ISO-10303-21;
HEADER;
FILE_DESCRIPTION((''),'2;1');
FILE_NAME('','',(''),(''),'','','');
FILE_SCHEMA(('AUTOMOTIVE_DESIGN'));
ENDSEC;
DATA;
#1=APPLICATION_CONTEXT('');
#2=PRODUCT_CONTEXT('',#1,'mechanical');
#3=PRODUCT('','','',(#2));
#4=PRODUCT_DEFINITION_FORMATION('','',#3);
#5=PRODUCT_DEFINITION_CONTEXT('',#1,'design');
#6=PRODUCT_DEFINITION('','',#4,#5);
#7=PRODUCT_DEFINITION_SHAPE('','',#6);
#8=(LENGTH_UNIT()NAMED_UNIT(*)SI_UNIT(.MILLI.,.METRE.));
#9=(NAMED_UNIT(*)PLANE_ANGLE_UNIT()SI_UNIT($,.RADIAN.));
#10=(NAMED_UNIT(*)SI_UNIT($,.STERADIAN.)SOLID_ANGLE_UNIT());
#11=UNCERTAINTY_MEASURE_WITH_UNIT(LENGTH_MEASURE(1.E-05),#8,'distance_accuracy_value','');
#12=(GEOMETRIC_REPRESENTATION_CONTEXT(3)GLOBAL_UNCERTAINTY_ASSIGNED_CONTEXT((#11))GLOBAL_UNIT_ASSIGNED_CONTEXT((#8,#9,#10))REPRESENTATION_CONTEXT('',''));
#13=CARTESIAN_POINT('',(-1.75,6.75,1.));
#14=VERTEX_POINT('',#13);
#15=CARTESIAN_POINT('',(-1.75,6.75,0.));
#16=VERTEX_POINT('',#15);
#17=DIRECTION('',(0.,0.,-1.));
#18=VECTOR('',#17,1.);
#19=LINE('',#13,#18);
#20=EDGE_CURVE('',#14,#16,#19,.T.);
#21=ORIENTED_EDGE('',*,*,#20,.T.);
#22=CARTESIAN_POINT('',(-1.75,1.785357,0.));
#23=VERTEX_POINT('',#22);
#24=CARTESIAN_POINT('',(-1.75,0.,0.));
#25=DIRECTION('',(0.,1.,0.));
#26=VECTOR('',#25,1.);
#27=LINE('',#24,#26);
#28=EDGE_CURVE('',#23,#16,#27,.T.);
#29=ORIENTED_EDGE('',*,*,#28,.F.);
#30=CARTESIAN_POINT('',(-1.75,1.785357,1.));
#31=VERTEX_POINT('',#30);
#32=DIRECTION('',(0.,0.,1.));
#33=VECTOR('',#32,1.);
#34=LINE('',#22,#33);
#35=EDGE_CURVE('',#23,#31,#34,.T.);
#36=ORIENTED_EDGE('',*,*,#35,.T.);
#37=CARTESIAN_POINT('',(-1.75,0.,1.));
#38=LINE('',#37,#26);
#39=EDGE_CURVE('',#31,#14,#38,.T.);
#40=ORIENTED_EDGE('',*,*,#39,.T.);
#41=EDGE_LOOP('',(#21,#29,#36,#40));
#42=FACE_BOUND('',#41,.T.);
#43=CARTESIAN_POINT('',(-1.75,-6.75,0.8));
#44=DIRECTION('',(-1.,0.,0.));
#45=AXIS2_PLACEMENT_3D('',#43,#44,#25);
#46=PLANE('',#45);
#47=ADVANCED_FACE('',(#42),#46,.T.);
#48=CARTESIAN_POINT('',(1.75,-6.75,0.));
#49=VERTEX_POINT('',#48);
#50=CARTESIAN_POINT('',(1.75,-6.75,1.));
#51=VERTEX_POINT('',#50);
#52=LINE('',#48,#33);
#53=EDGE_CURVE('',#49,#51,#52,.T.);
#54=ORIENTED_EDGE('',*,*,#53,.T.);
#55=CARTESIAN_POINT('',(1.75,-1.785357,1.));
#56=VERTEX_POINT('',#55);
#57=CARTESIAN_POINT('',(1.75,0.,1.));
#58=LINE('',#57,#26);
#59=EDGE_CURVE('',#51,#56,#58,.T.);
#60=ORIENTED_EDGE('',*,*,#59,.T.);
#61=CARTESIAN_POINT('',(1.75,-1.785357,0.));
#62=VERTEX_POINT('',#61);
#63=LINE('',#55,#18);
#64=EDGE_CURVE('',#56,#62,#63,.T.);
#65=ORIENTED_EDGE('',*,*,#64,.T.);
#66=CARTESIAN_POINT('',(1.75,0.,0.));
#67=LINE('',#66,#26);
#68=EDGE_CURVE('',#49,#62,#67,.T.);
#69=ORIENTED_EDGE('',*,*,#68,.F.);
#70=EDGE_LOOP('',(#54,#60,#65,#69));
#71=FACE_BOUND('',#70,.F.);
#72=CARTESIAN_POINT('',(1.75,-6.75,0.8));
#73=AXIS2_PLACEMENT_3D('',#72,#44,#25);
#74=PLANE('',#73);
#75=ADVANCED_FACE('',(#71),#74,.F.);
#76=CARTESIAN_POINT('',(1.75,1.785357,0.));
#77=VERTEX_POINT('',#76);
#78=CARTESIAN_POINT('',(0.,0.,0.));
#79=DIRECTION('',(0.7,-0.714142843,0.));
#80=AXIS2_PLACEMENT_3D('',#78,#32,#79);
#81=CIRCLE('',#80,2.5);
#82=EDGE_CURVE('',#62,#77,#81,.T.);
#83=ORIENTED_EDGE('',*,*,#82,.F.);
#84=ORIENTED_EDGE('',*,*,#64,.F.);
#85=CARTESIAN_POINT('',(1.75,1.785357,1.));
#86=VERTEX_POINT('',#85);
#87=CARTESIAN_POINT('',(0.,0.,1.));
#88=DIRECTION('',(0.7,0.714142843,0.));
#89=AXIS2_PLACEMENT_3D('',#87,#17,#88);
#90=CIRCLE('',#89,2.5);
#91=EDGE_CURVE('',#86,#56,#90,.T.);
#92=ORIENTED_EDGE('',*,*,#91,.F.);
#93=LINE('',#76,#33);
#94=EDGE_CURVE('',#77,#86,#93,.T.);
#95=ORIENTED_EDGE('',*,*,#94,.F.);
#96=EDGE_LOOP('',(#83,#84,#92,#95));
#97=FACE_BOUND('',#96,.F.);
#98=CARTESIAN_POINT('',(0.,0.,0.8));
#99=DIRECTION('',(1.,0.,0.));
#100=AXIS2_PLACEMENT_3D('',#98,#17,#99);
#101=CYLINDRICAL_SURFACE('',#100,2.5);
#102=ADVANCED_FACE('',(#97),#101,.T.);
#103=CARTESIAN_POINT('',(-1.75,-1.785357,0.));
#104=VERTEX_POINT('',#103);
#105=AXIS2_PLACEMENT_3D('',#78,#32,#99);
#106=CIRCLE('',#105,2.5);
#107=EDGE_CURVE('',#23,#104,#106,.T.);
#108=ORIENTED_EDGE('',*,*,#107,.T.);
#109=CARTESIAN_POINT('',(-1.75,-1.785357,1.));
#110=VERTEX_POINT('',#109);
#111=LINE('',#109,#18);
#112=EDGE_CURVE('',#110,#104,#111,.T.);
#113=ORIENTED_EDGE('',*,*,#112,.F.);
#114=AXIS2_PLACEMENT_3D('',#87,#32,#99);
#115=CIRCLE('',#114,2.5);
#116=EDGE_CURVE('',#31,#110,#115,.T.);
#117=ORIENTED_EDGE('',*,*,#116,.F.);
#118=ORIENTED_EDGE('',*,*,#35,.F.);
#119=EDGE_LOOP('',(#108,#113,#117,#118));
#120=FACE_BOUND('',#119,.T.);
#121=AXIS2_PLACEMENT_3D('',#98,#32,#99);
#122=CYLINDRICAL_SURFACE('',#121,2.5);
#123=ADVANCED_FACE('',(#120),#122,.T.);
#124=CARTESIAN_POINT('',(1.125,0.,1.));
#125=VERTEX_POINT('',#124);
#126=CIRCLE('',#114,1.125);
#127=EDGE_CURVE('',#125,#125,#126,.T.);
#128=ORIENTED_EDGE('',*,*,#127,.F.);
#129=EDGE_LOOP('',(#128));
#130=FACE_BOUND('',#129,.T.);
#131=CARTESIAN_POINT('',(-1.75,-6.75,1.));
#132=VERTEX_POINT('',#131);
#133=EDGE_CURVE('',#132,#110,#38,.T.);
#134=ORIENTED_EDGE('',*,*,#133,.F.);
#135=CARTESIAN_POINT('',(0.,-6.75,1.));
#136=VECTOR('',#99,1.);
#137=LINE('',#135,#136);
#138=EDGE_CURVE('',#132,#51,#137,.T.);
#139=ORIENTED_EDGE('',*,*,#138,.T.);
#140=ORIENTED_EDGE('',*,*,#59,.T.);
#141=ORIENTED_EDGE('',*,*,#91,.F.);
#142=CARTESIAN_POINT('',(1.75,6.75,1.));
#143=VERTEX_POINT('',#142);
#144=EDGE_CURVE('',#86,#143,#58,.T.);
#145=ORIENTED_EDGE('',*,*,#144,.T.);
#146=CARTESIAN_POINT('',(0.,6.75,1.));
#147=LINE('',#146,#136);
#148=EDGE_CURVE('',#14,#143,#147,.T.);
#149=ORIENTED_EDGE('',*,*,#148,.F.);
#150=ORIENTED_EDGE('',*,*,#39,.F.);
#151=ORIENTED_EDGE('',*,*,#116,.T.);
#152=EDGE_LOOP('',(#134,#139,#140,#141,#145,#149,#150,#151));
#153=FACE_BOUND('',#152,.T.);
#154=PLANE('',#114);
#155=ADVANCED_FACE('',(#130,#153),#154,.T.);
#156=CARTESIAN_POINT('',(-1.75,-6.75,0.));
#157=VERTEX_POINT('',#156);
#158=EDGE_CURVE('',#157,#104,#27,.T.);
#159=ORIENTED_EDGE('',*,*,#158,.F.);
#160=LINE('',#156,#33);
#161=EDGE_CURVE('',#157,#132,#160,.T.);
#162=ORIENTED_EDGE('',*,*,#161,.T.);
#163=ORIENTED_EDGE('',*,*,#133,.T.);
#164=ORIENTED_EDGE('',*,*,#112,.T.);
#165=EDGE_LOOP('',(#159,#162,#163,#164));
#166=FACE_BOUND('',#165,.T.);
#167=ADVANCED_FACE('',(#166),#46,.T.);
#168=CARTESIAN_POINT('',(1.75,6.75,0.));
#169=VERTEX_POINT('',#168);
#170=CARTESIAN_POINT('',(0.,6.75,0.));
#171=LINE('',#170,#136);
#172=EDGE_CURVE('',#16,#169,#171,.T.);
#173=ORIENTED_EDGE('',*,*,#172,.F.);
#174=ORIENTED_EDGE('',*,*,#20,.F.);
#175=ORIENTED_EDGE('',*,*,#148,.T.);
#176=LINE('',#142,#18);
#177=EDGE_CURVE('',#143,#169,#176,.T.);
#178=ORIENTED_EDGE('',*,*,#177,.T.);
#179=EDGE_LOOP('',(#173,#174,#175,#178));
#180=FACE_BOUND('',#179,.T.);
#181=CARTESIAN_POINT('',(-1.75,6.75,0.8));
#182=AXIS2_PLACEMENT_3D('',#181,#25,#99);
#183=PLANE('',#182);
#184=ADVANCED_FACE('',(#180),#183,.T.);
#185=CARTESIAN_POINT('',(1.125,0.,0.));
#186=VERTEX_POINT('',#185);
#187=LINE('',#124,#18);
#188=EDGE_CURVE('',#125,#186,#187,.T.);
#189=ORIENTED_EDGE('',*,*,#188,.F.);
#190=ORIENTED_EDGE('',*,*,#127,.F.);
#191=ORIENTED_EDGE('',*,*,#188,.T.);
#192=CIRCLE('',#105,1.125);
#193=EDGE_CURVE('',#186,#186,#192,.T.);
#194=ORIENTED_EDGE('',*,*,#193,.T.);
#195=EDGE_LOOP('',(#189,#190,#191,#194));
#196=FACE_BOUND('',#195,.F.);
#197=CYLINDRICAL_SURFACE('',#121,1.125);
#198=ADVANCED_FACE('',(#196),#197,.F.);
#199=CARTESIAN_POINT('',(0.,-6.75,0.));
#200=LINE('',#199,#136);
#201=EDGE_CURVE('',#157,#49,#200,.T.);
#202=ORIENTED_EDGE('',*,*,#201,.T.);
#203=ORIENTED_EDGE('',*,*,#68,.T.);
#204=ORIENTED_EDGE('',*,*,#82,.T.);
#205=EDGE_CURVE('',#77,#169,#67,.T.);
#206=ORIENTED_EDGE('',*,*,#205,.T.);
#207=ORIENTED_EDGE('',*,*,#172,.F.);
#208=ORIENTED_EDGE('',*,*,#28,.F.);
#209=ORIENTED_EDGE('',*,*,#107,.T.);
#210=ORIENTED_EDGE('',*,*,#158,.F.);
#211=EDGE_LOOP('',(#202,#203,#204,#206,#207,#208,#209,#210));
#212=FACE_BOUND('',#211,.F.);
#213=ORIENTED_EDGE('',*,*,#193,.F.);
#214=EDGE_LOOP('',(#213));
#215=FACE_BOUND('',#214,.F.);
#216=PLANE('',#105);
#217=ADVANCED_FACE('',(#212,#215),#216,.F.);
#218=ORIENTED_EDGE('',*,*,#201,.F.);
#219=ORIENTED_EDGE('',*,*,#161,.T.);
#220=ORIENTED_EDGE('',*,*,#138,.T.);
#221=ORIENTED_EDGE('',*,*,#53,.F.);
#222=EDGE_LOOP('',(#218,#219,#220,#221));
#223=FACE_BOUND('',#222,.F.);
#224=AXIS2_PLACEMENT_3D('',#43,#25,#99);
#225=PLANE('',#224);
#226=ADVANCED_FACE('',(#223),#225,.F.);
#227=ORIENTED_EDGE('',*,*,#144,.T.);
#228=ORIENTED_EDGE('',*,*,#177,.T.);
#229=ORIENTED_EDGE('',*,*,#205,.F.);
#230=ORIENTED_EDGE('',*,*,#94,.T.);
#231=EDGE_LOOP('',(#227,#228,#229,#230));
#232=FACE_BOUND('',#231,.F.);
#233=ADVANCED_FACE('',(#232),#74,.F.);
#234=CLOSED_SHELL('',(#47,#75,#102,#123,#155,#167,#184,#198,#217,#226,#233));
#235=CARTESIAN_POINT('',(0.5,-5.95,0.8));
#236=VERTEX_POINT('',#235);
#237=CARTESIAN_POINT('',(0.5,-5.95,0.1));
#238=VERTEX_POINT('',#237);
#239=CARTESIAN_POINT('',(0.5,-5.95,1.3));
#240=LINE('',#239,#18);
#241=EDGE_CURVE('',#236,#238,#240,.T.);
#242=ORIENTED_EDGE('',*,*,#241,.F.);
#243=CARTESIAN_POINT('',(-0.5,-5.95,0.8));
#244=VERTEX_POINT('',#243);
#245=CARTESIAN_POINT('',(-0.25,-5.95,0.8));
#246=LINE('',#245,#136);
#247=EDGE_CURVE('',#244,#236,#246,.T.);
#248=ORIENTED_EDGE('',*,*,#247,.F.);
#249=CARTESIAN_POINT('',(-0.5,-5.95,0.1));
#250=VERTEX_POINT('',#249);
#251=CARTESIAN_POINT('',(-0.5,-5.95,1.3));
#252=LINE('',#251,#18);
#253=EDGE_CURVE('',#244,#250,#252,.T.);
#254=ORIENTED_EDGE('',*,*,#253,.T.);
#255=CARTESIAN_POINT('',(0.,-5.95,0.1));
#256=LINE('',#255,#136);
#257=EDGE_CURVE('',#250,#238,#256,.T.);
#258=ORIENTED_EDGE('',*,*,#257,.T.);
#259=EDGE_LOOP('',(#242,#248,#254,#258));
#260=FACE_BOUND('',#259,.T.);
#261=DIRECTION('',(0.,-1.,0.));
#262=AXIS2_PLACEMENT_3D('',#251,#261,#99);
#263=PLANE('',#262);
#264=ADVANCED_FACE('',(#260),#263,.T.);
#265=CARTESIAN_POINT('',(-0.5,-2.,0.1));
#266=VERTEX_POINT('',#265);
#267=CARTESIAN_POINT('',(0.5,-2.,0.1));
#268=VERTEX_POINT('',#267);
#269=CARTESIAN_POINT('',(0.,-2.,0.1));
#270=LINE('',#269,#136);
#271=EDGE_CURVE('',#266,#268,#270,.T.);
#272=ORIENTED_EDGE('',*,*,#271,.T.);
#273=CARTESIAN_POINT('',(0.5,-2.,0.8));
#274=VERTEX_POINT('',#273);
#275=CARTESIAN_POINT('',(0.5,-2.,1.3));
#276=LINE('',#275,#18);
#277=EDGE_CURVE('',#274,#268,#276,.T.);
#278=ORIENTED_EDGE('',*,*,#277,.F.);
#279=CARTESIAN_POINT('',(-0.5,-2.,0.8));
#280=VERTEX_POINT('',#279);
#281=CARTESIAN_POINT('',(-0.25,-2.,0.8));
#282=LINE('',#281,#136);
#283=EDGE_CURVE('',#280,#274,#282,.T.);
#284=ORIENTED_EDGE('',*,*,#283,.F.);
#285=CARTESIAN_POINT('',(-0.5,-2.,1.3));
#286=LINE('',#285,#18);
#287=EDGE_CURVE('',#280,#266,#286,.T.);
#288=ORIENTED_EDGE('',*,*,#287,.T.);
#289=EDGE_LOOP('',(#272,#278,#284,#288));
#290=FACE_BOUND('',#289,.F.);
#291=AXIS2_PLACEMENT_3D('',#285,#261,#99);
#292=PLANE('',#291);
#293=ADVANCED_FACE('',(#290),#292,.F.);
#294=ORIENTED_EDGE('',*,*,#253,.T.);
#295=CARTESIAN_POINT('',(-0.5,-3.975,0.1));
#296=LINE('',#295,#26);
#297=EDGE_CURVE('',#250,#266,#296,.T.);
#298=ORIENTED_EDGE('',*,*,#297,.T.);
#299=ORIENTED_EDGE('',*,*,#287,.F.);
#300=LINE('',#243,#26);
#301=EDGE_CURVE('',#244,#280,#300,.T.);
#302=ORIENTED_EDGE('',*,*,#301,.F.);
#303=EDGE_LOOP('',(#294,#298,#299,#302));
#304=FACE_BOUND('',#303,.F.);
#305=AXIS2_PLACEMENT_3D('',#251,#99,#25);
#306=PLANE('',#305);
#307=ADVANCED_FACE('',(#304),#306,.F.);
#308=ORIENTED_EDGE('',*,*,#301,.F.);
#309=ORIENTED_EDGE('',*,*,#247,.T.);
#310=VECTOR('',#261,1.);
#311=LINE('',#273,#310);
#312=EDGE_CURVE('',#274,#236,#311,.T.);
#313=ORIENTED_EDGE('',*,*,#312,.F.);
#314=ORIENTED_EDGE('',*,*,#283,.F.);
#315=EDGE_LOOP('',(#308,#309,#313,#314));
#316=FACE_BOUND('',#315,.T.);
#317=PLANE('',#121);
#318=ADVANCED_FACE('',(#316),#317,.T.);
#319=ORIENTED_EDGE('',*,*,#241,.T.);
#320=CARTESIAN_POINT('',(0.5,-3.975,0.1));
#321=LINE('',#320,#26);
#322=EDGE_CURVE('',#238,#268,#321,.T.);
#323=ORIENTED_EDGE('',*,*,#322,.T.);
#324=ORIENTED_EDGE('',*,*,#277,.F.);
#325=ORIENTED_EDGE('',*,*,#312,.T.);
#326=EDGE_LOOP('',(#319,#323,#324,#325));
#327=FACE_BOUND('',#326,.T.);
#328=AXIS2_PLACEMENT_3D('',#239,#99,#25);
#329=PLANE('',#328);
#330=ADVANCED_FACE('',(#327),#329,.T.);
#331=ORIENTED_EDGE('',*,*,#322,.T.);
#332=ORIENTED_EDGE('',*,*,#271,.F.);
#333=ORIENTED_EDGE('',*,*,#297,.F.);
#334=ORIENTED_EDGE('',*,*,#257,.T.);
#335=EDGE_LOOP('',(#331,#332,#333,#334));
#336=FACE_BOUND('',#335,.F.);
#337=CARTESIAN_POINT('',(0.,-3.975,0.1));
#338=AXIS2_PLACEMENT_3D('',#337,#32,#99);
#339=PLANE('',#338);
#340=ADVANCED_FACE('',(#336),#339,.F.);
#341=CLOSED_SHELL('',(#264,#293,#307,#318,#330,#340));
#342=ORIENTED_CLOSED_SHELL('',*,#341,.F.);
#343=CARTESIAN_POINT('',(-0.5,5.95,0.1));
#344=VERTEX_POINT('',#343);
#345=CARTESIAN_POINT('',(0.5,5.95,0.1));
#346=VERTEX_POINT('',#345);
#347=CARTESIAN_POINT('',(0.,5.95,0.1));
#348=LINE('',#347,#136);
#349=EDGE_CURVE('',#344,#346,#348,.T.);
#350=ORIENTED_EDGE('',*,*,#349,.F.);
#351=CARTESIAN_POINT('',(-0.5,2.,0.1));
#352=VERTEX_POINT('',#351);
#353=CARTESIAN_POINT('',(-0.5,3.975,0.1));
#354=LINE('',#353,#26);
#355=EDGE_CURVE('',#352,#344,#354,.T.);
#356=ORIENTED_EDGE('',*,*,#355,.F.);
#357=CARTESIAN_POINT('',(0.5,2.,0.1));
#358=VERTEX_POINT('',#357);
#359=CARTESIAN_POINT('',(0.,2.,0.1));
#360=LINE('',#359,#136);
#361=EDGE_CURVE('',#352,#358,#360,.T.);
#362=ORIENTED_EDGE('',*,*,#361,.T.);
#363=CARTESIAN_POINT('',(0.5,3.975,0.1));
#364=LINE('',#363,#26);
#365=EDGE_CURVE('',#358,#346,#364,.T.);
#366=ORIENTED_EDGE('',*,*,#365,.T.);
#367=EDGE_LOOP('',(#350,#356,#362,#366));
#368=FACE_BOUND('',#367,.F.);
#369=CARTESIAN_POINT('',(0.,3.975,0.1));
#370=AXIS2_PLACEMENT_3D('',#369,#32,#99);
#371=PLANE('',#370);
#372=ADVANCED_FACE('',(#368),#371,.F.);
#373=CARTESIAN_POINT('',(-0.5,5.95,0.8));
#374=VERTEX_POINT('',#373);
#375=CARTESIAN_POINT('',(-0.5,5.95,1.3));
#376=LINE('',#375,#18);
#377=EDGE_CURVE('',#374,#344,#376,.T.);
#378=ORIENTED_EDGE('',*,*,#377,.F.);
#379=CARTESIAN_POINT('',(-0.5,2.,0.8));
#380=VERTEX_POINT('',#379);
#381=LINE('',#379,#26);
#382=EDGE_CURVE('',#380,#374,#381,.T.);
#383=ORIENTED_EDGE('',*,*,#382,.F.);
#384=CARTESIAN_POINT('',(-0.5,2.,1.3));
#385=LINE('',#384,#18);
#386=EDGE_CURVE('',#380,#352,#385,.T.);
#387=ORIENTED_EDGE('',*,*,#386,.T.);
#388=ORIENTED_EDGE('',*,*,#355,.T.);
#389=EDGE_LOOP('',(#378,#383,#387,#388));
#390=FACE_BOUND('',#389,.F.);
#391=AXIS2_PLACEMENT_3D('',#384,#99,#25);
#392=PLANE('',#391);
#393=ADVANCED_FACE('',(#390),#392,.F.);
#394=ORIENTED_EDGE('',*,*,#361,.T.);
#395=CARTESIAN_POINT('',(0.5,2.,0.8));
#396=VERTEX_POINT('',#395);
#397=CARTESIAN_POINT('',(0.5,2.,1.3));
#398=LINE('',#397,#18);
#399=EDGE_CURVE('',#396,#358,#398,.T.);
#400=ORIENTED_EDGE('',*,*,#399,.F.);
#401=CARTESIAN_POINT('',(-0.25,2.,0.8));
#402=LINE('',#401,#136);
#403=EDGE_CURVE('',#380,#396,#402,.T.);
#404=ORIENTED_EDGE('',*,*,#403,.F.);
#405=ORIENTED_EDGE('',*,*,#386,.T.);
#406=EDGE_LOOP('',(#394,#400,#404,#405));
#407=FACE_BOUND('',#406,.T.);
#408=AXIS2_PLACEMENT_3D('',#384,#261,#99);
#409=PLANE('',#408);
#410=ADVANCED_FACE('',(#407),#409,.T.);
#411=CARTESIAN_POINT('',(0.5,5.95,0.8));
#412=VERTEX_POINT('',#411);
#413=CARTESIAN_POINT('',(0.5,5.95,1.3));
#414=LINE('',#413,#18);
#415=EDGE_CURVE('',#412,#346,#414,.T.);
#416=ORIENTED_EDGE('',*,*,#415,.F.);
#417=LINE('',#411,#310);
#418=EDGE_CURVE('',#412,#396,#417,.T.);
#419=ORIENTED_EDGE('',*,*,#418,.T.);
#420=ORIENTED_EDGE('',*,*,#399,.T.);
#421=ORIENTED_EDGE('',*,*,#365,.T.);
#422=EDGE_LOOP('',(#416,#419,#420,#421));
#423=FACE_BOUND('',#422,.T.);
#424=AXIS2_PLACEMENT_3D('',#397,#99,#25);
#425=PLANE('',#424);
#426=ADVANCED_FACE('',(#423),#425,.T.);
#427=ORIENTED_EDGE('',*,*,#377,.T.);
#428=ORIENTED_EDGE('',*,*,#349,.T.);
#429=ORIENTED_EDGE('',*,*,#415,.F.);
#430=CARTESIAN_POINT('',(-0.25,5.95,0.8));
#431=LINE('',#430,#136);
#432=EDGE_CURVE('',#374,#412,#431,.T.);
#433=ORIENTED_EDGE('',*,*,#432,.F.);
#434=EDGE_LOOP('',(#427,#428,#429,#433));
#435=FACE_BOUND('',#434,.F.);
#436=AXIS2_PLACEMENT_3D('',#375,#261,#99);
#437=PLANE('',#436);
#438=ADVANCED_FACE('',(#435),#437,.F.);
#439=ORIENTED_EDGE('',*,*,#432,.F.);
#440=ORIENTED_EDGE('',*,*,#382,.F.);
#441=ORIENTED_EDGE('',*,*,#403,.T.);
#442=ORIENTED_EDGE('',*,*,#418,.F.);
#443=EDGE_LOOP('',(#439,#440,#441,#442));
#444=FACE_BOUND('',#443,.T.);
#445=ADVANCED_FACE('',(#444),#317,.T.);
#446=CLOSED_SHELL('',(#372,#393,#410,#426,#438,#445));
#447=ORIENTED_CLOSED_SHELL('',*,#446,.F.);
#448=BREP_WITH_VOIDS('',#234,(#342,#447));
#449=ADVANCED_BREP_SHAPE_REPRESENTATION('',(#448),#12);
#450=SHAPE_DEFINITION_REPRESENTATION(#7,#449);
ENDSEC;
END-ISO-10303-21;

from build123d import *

# Parameters (mm, degrees)
SKETCH_W        = 3.5
SKETCH_H        = 13.5
PAD_DEPTH       = 0.8
SKETCH003_R     = 2.5
PAD001_DEPTH    = 0.8
SKETCH002_W     = 1
SKETCH002_H     = 3.95
POCKET_DEPTH    = 1.2
SKETCH001_R     = 1.125
POCKET001_DEPTH = 5
SKETCH004_W     = 3.5
SKETCH004_H     = 13.5
PAD002_DEPTH    = 0.2
SKETCH005_R     = 2.5
PAD003_DEPTH    = 0.2
SKETCH006_R     = 1.125
POCKET002_DEPTH = 5


with BuildPart() as part:
    # Sketch → Pad (new body)
    with BuildSketch(Plane.XY):
        Rectangle(SKETCH_W, SKETCH_H)
    extrude(amount=PAD_DEPTH)

    # Sketch003 (on Face6 of Pad) → Pad001 (join)
    with BuildSketch(Plane.XY.offset(0.8)):
        Circle(SKETCH003_R)
    extrude(amount=-PAD001_DEPTH)

    # Sketch002 → Pocket (cut)
    with BuildSketch(Plane.XY.offset(1.3)):
        with Locations((0, 3.975)):
            Rectangle(SKETCH002_W, SKETCH002_H)
        with Locations((0, -3.975)):
            Rectangle(SKETCH002_W, SKETCH002_H)
    extrude(amount=-POCKET_DEPTH, mode=Mode.SUBTRACT)

    # Sketch001 (on Face6 of Pad) → Pocket001 (cut)
    with BuildSketch(Plane.XY.offset(0.8)):
        Circle(SKETCH001_R)
    extrude(amount=-POCKET001_DEPTH, mode=Mode.SUBTRACT)

    # Sketch004 (on Face5 of Pocket001) → Pad002 (join)
    with BuildSketch(Plane.XY.offset(0.8)):
        Rectangle(SKETCH004_W, SKETCH004_H)
    extrude(amount=PAD002_DEPTH)

    # Sketch005 (on Face16 of Pad002) → Pad003 (join)
    with BuildSketch(Plane.XY.offset(0.8)):
        Circle(SKETCH005_R)
    extrude(amount=PAD003_DEPTH)

    # Sketch006 (on Face28 of Pad003) → Pocket002 (cut)
    with BuildSketch(Plane.XY.offset(1)):
        Circle(SKETCH006_R)
    extrude(amount=-POCKET002_DEPTH, mode=Mode.SUBTRACT)


solid = part.part
